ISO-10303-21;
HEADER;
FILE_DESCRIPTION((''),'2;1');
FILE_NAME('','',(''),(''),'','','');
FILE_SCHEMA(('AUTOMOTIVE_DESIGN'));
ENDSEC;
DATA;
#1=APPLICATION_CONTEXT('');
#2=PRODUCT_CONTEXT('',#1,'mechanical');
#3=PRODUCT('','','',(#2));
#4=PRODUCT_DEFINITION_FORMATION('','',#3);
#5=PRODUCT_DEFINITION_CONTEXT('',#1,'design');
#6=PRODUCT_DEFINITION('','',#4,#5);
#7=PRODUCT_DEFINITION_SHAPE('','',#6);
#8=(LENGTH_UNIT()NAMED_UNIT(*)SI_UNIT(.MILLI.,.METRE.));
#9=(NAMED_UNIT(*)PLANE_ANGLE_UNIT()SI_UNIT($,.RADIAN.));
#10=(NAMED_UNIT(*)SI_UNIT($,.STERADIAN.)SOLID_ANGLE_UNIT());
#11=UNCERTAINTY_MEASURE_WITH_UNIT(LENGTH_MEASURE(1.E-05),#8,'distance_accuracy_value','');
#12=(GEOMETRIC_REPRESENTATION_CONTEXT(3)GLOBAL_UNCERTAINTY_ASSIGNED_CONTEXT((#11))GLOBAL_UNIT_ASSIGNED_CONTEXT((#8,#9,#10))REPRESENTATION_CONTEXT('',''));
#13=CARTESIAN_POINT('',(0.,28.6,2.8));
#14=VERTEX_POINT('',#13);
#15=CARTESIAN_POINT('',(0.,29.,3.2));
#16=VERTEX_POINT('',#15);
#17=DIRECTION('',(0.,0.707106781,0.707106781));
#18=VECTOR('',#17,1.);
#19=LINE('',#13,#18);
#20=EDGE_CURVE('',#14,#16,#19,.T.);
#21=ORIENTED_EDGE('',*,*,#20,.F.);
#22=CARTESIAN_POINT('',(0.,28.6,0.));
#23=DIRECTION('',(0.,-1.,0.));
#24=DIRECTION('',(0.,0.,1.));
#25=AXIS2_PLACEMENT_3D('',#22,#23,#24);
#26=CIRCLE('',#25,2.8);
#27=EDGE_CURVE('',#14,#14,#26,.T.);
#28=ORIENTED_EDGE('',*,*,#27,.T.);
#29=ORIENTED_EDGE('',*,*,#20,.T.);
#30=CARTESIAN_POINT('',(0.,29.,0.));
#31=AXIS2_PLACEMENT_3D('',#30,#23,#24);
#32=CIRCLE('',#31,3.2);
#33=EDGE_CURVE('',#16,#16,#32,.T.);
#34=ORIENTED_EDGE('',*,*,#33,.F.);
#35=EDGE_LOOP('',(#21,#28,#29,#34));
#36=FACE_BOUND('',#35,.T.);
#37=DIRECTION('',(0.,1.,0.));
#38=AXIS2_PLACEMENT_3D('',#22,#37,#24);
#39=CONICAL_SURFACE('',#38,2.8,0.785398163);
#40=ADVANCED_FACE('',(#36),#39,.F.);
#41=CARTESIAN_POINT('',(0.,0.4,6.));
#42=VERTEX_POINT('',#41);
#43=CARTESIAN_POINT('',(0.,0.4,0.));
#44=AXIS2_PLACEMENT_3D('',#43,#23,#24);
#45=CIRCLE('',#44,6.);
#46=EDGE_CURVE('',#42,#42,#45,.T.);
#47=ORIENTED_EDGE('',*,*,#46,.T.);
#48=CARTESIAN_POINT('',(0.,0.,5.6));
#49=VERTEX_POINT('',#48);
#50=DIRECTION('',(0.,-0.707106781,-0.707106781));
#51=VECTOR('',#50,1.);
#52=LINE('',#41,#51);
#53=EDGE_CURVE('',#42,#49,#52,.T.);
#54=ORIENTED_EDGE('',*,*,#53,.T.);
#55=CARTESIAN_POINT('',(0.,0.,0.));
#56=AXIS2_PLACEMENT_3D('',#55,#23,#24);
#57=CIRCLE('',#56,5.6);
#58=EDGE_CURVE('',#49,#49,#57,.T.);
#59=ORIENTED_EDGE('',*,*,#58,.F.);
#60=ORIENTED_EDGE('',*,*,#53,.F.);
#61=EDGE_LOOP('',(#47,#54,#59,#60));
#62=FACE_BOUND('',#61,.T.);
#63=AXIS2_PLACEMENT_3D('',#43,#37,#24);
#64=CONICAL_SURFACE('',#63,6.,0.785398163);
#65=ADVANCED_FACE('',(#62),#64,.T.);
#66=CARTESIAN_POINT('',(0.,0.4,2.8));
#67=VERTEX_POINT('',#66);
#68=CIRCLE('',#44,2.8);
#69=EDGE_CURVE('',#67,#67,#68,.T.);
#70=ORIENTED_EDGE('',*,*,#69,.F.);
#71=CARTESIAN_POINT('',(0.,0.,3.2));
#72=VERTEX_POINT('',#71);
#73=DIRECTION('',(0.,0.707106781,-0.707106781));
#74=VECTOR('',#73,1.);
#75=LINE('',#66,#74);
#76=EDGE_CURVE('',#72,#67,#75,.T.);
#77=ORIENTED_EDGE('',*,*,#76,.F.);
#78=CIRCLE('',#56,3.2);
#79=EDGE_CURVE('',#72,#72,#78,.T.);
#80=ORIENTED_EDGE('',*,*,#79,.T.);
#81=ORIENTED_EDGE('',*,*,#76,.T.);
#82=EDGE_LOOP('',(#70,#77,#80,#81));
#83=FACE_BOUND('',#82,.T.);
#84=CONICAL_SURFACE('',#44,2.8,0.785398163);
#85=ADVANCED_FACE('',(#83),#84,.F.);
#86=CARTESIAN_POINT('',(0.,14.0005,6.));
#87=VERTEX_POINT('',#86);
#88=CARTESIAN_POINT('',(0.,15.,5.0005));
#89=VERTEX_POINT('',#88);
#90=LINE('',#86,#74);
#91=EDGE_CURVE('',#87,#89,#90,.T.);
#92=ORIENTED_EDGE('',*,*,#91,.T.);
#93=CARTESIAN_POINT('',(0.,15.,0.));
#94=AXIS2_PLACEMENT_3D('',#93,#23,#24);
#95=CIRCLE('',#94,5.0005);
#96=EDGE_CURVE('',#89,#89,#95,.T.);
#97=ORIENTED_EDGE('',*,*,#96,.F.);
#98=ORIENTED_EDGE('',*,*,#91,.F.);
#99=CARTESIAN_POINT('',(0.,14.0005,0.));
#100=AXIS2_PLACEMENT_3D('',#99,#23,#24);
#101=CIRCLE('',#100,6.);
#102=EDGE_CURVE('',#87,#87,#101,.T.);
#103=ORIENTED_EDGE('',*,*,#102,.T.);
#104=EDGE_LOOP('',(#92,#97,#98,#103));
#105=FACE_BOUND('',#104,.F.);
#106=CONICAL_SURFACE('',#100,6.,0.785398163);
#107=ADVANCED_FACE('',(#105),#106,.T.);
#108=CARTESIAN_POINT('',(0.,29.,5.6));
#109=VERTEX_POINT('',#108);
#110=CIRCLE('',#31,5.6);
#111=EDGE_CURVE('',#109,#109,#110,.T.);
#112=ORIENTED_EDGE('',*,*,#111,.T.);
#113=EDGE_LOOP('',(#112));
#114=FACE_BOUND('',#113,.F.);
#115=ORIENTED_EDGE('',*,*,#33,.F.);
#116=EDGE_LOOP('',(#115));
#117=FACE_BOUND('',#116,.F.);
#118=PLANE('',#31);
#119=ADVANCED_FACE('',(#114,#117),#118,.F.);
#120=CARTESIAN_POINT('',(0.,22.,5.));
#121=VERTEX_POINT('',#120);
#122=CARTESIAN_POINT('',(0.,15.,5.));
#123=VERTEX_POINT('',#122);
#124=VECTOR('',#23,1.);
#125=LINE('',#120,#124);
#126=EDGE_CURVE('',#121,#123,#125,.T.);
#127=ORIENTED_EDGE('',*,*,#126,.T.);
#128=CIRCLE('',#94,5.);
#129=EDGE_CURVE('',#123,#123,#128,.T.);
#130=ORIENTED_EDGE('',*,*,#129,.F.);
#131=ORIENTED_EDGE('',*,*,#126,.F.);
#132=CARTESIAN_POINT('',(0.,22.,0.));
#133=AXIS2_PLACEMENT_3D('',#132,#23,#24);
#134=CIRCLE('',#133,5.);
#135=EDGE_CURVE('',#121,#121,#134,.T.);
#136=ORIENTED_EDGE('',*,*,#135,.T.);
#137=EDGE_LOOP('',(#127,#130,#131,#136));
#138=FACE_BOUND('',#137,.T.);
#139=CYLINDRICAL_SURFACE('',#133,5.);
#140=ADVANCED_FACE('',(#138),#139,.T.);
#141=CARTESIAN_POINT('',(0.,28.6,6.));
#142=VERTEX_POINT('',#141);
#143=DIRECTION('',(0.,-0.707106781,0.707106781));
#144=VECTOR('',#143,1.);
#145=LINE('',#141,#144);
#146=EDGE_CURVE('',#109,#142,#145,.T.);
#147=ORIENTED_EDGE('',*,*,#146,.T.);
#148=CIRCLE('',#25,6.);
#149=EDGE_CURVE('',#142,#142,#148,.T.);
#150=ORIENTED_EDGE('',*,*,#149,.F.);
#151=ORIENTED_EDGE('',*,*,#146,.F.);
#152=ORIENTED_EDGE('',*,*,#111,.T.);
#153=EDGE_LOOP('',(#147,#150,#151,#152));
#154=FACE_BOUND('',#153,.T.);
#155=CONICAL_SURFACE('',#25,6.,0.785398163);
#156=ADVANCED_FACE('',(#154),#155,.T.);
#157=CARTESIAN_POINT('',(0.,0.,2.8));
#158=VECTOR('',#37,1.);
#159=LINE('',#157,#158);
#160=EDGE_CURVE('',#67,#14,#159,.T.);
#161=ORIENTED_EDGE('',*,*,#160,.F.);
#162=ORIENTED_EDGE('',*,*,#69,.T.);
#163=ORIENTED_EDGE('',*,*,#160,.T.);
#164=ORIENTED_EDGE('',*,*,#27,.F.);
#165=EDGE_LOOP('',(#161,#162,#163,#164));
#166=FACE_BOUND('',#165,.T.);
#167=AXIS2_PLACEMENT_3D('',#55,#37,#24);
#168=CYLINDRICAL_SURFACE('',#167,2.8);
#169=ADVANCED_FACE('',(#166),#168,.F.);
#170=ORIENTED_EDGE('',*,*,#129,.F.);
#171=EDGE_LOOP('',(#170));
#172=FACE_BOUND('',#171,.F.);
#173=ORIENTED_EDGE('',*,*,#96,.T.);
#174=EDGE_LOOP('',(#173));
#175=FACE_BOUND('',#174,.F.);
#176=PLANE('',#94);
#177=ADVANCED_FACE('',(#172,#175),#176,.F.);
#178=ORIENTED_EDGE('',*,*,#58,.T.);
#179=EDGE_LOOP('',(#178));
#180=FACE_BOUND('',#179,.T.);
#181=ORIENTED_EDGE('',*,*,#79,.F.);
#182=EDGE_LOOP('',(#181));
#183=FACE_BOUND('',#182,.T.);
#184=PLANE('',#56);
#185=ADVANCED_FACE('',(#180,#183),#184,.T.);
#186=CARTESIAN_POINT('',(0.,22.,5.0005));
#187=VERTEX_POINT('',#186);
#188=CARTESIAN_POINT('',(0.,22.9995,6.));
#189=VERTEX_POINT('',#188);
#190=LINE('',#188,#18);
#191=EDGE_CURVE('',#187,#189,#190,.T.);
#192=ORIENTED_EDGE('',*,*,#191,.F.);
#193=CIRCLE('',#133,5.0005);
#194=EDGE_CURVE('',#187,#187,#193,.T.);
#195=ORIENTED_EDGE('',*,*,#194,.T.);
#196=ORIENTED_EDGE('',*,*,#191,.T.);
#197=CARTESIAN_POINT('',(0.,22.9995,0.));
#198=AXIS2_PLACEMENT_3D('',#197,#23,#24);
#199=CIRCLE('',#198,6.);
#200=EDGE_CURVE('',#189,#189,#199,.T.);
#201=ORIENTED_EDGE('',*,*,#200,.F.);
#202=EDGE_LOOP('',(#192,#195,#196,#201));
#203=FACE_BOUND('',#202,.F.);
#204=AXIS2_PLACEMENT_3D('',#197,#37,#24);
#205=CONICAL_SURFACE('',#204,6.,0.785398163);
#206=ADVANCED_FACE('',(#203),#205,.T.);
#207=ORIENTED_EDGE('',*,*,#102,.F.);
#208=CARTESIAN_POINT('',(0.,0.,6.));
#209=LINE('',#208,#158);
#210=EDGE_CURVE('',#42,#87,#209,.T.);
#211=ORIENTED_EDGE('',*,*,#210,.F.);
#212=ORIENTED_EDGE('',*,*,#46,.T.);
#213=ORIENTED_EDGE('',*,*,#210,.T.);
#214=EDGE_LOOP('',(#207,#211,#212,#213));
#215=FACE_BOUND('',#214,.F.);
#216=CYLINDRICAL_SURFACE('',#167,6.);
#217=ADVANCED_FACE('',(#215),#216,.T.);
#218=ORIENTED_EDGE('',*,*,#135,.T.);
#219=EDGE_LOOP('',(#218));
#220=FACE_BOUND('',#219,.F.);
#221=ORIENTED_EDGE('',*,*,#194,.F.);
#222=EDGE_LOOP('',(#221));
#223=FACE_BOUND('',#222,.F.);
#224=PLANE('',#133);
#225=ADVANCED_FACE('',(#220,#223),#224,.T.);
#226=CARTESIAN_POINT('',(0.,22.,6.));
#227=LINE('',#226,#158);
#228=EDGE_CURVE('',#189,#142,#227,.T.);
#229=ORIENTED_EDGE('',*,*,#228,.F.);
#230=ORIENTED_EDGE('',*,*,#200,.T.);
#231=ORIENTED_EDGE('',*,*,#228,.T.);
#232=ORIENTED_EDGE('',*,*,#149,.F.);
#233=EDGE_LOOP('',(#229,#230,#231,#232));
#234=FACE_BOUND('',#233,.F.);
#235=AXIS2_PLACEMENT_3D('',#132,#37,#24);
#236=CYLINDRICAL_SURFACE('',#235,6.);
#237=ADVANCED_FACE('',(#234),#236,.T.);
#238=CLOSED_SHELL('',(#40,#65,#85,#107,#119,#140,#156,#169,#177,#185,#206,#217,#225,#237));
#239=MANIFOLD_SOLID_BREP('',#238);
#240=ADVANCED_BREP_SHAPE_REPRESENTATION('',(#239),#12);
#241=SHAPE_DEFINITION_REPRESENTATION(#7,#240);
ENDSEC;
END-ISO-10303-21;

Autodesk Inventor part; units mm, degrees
ref_plane "YZ Plane" through (0, 0, 0) normal (1, 0, 0) x (0, 1, 0)
ref_plane "XZ Plane" through (0, 0, 0) normal (0, 1, 0) x (-1, 0, 0)
ref_plane "XY Plane" through (0, 0, 0) normal (0, 0, 1) x (1, 0, 0)
sketch "Эскиз1" plane through (0, 0, 0) normal (1, 0, 0) x (0, 1, 0)
  line L0 (0, 2.8) -> (29, 2.8)
  line L1 (0, 6) -> (15, 6)
  line L2 (15, 6) -> (15, 5)
  line L3 (22, 5) -> (22, 6)
  line L4 (22, 6) -> (29, 6)
  line L5 (29, 6) -> (29, 2.8)
  line L6 (22, 5) -> (15, 5)
  line L7 (0, 6) -> (0, 2.8)
  line L8 (32.1482, 0) -> (-3.0834, 0)
  point P0 (0, 0)
revolve "Вращение1" add sketch "Эскиз1" angle 360 about axis through (0, 32.1482, 0) along (0, -1, 0)
chamfer "Фаска1" distance 1 angle 45 2 edges at (0, 15, -6) (0, 22, -6)
chamfer "Фаска2" distance 0.4 angle 45 4 edges at (0, 29, -2.8) (0, 29, -6) (0, 0, -6) (0, 0, -2.8)
properties part number "prostavka"
